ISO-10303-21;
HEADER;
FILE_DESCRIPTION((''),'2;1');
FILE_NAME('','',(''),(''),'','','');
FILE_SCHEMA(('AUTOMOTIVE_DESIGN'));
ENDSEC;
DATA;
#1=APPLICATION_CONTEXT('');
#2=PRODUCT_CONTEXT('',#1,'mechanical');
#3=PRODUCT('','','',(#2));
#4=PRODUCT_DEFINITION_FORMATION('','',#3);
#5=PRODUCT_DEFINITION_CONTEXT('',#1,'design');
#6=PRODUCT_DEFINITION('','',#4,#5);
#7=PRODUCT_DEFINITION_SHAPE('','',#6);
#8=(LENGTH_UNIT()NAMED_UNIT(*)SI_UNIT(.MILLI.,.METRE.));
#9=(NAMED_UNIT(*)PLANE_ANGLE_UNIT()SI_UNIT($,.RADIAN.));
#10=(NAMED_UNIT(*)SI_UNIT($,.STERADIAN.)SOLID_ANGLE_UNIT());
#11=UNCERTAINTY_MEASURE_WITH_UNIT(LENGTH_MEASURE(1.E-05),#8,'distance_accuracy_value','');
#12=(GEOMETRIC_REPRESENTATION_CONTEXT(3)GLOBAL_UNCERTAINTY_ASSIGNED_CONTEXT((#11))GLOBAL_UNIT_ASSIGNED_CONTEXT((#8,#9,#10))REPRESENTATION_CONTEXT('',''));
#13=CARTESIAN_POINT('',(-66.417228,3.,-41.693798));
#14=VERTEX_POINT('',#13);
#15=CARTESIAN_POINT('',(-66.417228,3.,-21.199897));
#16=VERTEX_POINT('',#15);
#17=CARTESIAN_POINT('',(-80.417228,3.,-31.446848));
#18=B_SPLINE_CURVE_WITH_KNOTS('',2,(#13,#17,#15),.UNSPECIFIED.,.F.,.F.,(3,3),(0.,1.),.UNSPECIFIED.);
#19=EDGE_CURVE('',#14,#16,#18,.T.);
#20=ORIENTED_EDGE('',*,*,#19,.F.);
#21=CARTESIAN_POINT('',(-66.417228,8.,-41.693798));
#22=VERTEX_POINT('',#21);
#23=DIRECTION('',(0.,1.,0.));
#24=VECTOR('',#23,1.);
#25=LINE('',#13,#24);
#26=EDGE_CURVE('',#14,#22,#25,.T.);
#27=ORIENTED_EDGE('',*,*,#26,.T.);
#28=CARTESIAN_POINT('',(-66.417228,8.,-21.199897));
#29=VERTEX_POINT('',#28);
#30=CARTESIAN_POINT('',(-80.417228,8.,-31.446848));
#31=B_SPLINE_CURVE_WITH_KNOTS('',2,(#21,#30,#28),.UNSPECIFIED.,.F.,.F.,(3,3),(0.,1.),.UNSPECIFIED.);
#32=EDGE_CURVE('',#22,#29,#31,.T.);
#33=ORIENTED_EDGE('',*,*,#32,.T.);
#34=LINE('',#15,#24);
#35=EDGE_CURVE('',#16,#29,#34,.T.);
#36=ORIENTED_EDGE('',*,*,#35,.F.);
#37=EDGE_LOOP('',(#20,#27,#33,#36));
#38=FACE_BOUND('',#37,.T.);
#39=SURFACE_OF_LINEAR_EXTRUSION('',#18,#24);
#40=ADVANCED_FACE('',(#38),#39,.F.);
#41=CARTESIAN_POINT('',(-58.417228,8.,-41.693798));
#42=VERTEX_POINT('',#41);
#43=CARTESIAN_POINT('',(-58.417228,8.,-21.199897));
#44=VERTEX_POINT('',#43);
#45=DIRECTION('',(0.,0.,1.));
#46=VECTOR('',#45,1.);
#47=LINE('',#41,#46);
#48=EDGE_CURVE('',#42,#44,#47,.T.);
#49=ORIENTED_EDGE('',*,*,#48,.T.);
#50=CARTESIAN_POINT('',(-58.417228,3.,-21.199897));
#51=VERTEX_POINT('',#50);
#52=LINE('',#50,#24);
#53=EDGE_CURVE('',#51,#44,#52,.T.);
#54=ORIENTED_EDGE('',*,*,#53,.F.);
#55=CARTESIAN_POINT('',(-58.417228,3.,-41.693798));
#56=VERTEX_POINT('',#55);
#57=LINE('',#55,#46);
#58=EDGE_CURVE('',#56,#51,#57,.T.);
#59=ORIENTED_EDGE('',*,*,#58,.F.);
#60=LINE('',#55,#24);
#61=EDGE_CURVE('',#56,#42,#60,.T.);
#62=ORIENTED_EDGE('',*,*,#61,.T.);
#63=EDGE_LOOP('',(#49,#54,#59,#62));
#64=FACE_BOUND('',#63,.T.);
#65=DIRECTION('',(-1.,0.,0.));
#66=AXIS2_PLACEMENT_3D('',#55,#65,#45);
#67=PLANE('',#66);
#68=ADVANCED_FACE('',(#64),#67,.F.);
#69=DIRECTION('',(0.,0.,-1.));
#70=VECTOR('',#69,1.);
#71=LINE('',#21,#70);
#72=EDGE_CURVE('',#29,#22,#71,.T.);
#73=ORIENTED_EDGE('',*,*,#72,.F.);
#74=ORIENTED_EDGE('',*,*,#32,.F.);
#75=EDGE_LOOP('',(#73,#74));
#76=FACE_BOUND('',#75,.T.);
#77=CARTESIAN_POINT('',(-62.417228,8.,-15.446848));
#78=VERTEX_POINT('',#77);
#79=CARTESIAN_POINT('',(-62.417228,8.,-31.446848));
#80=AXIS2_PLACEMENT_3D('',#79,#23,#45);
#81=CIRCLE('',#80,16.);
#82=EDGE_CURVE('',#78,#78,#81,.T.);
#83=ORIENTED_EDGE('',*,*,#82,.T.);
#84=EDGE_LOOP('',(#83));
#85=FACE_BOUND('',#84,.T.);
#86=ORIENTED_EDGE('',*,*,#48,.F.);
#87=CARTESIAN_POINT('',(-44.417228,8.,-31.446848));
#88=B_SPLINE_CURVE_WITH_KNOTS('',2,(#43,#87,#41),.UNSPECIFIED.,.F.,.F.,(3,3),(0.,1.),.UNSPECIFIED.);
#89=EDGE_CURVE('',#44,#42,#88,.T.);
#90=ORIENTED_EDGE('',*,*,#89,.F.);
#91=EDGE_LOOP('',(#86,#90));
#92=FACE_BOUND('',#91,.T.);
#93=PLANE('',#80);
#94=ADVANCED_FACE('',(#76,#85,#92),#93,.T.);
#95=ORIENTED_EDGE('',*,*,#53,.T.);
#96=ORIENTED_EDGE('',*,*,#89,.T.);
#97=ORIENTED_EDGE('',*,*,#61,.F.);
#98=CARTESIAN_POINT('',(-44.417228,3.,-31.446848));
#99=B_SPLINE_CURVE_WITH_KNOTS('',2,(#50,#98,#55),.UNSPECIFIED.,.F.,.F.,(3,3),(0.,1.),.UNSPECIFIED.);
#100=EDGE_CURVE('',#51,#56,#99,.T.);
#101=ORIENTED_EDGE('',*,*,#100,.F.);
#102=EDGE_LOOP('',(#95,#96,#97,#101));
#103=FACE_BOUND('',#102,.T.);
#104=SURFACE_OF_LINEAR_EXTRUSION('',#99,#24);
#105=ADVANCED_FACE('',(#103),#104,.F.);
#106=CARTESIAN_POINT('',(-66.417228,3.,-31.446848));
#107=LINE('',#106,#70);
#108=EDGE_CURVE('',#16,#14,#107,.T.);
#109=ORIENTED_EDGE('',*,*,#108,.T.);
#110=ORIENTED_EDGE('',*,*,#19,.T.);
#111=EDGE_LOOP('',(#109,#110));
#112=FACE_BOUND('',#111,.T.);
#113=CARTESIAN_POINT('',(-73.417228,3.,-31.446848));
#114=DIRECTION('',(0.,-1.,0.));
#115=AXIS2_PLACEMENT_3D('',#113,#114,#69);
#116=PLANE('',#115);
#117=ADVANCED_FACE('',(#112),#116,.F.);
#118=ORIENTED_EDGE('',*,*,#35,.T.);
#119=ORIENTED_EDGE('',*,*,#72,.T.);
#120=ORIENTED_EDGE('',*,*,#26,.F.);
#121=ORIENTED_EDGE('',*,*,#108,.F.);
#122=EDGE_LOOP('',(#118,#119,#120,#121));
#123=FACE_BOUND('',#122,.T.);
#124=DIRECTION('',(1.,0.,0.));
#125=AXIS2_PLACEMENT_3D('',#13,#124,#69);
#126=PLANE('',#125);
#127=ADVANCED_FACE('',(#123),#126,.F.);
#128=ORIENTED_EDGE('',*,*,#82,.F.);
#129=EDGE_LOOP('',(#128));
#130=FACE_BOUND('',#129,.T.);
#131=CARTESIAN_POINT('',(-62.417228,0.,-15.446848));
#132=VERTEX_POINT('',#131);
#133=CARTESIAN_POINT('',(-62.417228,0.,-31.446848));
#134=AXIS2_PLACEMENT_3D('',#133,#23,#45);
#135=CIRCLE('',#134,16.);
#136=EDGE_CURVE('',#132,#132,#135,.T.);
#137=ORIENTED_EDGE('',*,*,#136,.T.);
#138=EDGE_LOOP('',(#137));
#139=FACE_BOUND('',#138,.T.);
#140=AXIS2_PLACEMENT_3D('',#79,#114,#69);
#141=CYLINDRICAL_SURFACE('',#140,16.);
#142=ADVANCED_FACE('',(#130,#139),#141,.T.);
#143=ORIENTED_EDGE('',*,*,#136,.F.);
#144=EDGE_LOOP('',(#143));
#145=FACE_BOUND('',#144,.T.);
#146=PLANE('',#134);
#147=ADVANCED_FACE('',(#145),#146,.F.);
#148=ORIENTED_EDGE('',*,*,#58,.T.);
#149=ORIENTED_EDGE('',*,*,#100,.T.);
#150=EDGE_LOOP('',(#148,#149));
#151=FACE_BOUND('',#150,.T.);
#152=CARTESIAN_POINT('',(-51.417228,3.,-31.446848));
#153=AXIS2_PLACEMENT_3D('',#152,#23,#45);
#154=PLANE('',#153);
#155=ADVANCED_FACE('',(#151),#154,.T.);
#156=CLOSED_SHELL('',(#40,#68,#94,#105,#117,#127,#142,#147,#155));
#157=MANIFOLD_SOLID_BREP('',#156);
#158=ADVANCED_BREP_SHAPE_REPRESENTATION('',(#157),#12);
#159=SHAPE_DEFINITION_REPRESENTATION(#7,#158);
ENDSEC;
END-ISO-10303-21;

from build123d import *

# Parameters (mm, degrees)
SKETCH1_R           = 16
BOSS_EXTRUDE1_DEPTH = 8
CUT_EXTRUDE2_DEPTH  = 5


with BuildPart() as part:
    # Sketch1 → Boss-Extrude1 (new body)
    with BuildSketch(Plane(origin=(0, 0, 0), x_dir=(1, 0, 0), z_dir=(0, 1, 0))):
        with Locations(Location((-62.417227704, 31.446847546, 0), (0, 0, 270))):
            Circle(SKETCH1_R)
    extrude(amount=BOSS_EXTRUDE1_DEPTH)

    # Sketch9 → Cut-Extrude2 (cut)
    with BuildSketch(Plane(origin=(0, 8, 0), x_dir=(1, 0, 0), z_dir=(0, 1, 0))):
        with BuildLine():
            Line((-66.417227704, 41.693798311), (-66.417227704, 31.446847546))
            Line((-66.417227704, 31.446847546), (-66.417227704, 21.19989678))
            add(Edge.make_bspline(
                [(-66.417227704, 41.693798311), (-80.417227704, 31.446847546), (-66.417227704, 21.19989678)],
                knots=[0, 0, 0, 1, 1, 1], degree=2))
        make_face()
        with BuildLine():
            Line((-58.417227704, 41.693798311), (-58.417227704, 21.19989678))
            add(Edge.make_bspline(
                [(-58.417227704, 41.693798311), (-44.417227704, 31.446847546), (-58.417227704, 21.19989678)],
                knots=[0, 0, 0, 1, 1, 1], degree=2))
        make_face()
    extrude(amount=-CUT_EXTRUDE2_DEPTH, mode=Mode.SUBTRACT)


solid = part.part
